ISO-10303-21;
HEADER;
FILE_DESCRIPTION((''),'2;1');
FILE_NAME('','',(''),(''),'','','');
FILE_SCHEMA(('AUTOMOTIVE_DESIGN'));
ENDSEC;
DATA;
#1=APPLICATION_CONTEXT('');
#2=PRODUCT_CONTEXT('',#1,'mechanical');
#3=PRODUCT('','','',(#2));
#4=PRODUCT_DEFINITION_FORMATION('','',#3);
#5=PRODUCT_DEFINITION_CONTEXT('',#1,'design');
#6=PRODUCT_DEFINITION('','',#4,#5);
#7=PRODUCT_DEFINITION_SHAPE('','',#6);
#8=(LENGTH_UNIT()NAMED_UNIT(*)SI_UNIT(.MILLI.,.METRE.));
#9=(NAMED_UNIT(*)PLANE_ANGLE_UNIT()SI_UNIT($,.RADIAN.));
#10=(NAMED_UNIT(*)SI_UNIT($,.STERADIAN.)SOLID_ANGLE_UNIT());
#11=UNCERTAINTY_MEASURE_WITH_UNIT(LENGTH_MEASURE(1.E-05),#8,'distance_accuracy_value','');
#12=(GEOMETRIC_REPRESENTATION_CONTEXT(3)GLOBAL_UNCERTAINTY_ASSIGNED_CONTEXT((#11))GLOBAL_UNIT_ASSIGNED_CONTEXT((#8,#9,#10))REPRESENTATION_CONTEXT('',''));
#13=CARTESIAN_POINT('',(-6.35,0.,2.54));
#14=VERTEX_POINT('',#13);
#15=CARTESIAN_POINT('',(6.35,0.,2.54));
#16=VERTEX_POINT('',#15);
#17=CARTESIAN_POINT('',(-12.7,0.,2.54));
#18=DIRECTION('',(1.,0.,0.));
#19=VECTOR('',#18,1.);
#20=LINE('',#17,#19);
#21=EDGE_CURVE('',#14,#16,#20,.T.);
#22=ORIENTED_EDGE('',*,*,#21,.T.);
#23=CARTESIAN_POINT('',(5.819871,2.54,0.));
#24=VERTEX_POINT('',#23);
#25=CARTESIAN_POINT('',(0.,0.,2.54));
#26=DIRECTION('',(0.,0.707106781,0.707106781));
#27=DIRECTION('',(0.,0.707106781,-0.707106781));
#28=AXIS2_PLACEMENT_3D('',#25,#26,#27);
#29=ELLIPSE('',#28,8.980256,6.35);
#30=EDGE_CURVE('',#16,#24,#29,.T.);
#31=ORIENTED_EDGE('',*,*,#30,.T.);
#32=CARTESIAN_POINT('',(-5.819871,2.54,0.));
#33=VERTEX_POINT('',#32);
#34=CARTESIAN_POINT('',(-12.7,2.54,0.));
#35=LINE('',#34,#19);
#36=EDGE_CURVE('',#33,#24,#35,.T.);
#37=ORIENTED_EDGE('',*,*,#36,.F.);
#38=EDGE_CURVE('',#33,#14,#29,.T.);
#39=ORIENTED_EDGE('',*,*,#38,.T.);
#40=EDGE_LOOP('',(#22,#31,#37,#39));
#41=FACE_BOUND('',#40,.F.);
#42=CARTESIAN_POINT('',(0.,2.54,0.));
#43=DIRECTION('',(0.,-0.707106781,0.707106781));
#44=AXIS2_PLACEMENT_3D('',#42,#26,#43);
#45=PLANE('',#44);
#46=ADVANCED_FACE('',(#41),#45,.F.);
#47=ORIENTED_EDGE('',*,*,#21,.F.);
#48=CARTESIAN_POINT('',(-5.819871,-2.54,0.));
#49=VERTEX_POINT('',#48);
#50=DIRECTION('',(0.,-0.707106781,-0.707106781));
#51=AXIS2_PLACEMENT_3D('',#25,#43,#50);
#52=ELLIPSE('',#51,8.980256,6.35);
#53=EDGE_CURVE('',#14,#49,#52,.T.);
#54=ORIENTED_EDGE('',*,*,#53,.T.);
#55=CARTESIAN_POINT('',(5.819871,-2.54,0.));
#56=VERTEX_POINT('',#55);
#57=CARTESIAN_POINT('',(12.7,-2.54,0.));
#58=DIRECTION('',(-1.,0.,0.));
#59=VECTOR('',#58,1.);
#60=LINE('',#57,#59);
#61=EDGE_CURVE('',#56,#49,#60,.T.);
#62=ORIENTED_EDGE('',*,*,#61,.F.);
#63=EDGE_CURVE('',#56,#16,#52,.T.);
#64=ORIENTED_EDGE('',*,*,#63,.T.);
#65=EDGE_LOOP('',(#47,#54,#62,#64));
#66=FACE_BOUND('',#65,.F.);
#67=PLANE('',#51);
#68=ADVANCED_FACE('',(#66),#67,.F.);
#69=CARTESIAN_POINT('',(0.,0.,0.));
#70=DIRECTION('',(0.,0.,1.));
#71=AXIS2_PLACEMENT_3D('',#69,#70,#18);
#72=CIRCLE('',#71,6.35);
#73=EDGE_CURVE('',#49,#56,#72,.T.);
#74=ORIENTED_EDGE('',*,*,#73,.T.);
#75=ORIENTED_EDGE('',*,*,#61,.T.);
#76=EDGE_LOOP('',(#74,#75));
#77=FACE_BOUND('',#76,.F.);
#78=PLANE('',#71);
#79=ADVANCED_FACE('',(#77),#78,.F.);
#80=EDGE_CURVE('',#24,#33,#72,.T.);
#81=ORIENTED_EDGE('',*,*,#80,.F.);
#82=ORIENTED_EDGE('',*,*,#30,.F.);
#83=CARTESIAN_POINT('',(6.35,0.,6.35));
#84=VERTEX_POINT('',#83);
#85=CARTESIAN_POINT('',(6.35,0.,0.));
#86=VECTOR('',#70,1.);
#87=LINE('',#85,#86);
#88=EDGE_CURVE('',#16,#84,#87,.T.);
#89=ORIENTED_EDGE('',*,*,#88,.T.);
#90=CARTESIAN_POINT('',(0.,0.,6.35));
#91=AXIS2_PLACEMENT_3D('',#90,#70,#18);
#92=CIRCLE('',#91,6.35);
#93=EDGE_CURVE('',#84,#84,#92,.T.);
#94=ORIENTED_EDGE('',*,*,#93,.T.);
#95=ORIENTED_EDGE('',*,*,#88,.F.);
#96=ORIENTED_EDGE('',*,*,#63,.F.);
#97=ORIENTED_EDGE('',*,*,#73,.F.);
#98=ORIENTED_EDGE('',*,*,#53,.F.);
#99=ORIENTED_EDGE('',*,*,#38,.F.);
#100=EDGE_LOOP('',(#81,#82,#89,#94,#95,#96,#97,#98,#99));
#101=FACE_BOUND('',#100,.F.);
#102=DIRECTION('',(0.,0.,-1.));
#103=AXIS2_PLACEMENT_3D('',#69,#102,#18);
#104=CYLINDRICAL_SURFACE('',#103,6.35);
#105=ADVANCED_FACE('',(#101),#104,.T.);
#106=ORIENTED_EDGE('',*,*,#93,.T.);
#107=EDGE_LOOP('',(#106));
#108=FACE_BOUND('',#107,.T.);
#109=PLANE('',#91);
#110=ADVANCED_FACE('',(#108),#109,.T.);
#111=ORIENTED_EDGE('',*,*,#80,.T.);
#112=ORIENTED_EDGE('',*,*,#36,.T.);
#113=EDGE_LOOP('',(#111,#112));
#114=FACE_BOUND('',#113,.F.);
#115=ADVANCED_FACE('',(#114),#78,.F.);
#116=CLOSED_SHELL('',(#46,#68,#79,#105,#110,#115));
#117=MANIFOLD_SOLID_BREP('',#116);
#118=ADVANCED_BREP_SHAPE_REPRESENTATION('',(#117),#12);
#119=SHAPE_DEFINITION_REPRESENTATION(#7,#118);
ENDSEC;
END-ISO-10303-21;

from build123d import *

# Parameters (mm, degrees)
F0_R     = 6.35
F1_DEPTH = 6.35
F4_DEPTH = 12.7


with BuildPart() as f1:
    # F0 (on Top) → F1 (new body)
    with BuildSketch(Plane.XY):
        Circle(F0_R)
    extrude(amount=F1_DEPTH)

    # F3 (on Right) → F4 (cut, symmetric)
    with BuildSketch(Plane.YZ):
        Polygon((0, -2.54), (2.54, 0), (0, 2.54), (-2.54, 0), align=None)
    extrude(amount=F4_DEPTH, both=True, mode=Mode.SUBTRACT)


solid = f1.part
